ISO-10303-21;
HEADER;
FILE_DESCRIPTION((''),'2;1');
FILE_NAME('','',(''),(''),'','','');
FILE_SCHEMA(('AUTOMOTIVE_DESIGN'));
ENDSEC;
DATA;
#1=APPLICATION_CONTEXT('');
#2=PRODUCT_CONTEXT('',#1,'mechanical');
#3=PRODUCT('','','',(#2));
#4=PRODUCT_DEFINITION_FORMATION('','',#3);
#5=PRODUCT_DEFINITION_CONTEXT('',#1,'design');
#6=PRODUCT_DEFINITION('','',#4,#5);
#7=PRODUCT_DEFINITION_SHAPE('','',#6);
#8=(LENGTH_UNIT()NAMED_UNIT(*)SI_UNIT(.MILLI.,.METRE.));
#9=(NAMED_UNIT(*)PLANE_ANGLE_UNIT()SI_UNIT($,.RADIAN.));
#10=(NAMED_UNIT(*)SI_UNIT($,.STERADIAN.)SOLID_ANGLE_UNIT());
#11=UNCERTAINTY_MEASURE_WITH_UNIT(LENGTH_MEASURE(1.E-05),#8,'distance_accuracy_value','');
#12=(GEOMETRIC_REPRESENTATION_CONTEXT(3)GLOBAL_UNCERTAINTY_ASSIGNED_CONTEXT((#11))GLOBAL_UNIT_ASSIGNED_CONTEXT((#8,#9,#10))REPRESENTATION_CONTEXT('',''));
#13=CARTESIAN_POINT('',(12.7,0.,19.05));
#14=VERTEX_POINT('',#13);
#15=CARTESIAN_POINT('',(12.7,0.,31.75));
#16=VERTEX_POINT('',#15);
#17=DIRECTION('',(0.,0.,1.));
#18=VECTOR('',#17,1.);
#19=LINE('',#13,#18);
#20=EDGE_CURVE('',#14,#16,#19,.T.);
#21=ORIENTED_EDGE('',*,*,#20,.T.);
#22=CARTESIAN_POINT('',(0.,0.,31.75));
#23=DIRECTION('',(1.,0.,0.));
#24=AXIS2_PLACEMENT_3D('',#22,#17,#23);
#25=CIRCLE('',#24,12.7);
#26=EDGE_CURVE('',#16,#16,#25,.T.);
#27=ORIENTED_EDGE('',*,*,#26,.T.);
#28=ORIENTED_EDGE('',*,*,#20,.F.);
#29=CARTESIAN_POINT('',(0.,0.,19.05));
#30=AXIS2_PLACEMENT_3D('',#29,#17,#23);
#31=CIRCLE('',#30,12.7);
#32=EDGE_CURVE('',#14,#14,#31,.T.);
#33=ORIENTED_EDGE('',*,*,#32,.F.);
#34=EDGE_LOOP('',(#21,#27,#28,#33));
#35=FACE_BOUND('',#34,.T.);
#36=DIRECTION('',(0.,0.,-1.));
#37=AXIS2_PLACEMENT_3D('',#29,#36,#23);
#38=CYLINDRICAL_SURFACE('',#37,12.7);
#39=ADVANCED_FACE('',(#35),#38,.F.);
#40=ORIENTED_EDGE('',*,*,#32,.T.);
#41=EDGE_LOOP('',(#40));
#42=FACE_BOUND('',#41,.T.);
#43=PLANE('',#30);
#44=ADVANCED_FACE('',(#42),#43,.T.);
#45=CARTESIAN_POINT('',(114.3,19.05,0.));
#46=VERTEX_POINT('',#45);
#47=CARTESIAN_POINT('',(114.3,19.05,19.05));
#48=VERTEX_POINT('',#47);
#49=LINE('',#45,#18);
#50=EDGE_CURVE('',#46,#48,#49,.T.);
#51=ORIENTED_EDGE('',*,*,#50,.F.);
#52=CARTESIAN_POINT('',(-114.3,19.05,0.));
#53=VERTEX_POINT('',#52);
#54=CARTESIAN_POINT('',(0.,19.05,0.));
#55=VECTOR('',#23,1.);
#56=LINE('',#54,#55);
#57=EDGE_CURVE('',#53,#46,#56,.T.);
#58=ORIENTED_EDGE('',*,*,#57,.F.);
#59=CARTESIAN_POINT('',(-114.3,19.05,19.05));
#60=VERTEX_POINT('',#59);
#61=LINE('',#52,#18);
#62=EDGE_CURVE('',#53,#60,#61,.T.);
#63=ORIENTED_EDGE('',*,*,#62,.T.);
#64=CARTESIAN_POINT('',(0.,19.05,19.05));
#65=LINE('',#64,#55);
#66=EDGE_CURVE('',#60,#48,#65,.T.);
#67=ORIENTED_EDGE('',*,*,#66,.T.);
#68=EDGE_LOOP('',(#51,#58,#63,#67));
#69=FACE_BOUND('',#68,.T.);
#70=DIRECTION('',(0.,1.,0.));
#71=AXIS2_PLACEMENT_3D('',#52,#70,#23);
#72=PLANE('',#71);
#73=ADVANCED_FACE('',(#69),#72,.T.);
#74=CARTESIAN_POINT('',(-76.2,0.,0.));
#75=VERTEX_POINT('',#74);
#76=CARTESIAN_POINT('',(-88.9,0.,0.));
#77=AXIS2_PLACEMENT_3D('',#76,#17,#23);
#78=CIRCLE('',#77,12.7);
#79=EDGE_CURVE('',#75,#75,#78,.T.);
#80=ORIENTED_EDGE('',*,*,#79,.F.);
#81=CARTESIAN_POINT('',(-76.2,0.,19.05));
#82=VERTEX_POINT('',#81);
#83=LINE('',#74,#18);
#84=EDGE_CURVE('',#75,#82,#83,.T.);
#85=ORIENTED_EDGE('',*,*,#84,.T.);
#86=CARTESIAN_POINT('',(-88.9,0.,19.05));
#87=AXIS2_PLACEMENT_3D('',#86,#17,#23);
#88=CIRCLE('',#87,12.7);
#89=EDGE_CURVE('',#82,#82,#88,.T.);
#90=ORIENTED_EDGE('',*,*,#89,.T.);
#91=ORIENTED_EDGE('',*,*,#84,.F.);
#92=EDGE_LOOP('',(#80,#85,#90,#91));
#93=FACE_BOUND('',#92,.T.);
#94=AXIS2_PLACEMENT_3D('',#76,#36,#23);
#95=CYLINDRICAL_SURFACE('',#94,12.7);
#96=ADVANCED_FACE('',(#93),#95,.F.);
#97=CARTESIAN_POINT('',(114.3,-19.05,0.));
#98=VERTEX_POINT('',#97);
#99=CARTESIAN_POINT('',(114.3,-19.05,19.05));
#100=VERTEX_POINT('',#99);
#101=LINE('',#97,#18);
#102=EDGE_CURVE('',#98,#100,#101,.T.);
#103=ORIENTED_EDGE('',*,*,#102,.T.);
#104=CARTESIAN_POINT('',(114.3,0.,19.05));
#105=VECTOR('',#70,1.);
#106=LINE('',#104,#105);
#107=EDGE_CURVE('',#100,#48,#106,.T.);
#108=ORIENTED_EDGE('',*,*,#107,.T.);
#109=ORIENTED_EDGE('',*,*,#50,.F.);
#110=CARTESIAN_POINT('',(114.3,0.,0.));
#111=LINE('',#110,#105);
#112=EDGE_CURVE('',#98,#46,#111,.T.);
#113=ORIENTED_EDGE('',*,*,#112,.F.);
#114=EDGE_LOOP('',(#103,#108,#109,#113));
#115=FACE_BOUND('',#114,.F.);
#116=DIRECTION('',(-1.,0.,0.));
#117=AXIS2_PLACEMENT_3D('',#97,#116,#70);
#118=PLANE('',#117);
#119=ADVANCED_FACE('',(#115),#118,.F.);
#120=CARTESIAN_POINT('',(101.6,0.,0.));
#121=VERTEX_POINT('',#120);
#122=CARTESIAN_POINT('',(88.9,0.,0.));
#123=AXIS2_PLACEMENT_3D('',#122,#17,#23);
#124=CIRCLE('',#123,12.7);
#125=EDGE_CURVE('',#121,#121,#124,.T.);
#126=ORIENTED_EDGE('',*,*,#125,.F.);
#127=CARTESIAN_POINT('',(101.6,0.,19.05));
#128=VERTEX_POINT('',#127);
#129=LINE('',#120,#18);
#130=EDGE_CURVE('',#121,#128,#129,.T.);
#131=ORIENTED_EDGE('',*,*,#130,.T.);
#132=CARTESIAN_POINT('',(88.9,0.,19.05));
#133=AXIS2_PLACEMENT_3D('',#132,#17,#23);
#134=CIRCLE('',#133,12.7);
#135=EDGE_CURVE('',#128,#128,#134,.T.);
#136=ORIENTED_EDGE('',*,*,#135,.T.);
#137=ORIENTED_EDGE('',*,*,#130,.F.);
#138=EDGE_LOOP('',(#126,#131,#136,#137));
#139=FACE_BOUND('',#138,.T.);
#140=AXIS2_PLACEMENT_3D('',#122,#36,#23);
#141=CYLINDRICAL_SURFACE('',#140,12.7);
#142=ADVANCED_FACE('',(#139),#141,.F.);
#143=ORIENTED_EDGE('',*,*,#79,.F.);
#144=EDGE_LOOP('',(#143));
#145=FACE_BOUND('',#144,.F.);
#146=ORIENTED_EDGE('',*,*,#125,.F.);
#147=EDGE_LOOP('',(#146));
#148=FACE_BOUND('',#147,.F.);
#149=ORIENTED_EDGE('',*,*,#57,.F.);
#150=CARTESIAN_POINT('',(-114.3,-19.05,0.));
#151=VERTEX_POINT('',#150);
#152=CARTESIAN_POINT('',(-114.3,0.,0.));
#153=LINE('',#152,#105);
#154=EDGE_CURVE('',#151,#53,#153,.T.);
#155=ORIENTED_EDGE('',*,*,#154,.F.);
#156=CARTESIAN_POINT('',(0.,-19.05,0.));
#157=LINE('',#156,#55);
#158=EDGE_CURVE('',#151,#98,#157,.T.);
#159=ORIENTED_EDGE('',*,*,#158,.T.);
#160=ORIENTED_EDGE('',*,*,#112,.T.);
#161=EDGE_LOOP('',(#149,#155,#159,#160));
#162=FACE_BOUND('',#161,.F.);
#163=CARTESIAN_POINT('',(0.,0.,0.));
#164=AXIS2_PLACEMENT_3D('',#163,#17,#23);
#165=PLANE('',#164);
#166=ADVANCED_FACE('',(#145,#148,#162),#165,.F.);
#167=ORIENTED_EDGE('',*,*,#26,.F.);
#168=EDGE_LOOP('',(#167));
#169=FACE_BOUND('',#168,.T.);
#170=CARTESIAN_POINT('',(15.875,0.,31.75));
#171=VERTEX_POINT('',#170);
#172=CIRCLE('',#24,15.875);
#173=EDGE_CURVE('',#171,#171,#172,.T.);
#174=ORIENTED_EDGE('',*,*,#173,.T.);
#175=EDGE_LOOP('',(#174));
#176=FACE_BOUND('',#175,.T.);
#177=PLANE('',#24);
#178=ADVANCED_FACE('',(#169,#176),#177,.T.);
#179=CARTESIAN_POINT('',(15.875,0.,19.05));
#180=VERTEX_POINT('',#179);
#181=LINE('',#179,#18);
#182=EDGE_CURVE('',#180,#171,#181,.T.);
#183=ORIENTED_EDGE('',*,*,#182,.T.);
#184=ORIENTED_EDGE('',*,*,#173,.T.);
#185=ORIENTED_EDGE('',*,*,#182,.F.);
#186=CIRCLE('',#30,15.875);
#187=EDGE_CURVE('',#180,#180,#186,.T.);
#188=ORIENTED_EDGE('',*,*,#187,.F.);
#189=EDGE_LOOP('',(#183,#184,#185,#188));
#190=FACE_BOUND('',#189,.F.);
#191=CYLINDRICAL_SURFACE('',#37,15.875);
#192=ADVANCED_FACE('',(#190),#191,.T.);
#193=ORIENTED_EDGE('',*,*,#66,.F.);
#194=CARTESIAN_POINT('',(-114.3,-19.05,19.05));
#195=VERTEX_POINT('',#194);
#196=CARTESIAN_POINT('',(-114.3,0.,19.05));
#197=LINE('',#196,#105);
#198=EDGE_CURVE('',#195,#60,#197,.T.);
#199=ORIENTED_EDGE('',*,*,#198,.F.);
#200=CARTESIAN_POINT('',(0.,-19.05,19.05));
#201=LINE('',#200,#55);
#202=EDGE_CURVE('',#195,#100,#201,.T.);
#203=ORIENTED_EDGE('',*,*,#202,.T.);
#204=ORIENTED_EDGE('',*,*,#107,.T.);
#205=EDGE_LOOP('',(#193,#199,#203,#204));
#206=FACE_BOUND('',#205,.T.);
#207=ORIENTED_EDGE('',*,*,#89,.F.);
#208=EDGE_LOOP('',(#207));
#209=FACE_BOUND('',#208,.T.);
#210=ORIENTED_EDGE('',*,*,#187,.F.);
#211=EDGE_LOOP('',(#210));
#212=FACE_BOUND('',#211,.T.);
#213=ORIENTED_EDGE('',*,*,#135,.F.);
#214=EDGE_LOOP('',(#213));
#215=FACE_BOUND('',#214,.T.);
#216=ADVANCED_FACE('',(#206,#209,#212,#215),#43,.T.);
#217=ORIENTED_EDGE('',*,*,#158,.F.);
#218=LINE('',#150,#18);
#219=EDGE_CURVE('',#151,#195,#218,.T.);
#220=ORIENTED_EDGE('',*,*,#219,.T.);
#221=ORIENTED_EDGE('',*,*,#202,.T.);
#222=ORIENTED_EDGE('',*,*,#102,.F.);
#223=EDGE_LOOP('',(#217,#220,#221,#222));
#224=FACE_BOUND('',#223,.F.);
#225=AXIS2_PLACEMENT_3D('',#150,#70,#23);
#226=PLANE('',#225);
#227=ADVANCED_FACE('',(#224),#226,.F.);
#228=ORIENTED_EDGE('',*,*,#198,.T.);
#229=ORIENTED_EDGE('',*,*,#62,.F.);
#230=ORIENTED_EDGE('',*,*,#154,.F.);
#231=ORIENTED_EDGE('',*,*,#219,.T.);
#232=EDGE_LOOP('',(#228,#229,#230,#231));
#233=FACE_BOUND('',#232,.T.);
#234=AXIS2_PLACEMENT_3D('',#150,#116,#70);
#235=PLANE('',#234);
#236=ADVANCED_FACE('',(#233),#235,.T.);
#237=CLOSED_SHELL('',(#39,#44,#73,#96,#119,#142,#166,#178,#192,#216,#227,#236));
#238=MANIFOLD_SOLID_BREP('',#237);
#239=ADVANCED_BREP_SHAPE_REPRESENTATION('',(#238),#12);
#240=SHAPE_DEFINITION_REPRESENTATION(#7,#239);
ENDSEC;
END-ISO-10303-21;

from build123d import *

# Parameters (mm, degrees)
F0_W     = 228.6
F0_H     = 38.1
F0_R     = 12.7
F1_DEPTH = 19.05
F2_R     = 15.875
F2_R_2   = 12.7
F3_DEPTH = 12.7


with BuildPart() as f1:
    # F0 (on Top) → F1 (new body)
    with BuildSketch(Plane.XY):
        Rectangle(F0_W, F0_H)
        with Locations((-88.9, 0)):
            Circle(F0_R, mode=Mode.SUBTRACT)
        with Locations((88.9, 0)):
            Circle(F0_R, mode=Mode.SUBTRACT)
    extrude(amount=F1_DEPTH)

    # F2 (on face) → F3 (join)
    with BuildSketch(Plane.XY.offset(19.05)):
        Circle(F2_R)
        Circle(F2_R_2, mode=Mode.SUBTRACT)
    extrude(amount=F3_DEPTH)


solid = f1.part
